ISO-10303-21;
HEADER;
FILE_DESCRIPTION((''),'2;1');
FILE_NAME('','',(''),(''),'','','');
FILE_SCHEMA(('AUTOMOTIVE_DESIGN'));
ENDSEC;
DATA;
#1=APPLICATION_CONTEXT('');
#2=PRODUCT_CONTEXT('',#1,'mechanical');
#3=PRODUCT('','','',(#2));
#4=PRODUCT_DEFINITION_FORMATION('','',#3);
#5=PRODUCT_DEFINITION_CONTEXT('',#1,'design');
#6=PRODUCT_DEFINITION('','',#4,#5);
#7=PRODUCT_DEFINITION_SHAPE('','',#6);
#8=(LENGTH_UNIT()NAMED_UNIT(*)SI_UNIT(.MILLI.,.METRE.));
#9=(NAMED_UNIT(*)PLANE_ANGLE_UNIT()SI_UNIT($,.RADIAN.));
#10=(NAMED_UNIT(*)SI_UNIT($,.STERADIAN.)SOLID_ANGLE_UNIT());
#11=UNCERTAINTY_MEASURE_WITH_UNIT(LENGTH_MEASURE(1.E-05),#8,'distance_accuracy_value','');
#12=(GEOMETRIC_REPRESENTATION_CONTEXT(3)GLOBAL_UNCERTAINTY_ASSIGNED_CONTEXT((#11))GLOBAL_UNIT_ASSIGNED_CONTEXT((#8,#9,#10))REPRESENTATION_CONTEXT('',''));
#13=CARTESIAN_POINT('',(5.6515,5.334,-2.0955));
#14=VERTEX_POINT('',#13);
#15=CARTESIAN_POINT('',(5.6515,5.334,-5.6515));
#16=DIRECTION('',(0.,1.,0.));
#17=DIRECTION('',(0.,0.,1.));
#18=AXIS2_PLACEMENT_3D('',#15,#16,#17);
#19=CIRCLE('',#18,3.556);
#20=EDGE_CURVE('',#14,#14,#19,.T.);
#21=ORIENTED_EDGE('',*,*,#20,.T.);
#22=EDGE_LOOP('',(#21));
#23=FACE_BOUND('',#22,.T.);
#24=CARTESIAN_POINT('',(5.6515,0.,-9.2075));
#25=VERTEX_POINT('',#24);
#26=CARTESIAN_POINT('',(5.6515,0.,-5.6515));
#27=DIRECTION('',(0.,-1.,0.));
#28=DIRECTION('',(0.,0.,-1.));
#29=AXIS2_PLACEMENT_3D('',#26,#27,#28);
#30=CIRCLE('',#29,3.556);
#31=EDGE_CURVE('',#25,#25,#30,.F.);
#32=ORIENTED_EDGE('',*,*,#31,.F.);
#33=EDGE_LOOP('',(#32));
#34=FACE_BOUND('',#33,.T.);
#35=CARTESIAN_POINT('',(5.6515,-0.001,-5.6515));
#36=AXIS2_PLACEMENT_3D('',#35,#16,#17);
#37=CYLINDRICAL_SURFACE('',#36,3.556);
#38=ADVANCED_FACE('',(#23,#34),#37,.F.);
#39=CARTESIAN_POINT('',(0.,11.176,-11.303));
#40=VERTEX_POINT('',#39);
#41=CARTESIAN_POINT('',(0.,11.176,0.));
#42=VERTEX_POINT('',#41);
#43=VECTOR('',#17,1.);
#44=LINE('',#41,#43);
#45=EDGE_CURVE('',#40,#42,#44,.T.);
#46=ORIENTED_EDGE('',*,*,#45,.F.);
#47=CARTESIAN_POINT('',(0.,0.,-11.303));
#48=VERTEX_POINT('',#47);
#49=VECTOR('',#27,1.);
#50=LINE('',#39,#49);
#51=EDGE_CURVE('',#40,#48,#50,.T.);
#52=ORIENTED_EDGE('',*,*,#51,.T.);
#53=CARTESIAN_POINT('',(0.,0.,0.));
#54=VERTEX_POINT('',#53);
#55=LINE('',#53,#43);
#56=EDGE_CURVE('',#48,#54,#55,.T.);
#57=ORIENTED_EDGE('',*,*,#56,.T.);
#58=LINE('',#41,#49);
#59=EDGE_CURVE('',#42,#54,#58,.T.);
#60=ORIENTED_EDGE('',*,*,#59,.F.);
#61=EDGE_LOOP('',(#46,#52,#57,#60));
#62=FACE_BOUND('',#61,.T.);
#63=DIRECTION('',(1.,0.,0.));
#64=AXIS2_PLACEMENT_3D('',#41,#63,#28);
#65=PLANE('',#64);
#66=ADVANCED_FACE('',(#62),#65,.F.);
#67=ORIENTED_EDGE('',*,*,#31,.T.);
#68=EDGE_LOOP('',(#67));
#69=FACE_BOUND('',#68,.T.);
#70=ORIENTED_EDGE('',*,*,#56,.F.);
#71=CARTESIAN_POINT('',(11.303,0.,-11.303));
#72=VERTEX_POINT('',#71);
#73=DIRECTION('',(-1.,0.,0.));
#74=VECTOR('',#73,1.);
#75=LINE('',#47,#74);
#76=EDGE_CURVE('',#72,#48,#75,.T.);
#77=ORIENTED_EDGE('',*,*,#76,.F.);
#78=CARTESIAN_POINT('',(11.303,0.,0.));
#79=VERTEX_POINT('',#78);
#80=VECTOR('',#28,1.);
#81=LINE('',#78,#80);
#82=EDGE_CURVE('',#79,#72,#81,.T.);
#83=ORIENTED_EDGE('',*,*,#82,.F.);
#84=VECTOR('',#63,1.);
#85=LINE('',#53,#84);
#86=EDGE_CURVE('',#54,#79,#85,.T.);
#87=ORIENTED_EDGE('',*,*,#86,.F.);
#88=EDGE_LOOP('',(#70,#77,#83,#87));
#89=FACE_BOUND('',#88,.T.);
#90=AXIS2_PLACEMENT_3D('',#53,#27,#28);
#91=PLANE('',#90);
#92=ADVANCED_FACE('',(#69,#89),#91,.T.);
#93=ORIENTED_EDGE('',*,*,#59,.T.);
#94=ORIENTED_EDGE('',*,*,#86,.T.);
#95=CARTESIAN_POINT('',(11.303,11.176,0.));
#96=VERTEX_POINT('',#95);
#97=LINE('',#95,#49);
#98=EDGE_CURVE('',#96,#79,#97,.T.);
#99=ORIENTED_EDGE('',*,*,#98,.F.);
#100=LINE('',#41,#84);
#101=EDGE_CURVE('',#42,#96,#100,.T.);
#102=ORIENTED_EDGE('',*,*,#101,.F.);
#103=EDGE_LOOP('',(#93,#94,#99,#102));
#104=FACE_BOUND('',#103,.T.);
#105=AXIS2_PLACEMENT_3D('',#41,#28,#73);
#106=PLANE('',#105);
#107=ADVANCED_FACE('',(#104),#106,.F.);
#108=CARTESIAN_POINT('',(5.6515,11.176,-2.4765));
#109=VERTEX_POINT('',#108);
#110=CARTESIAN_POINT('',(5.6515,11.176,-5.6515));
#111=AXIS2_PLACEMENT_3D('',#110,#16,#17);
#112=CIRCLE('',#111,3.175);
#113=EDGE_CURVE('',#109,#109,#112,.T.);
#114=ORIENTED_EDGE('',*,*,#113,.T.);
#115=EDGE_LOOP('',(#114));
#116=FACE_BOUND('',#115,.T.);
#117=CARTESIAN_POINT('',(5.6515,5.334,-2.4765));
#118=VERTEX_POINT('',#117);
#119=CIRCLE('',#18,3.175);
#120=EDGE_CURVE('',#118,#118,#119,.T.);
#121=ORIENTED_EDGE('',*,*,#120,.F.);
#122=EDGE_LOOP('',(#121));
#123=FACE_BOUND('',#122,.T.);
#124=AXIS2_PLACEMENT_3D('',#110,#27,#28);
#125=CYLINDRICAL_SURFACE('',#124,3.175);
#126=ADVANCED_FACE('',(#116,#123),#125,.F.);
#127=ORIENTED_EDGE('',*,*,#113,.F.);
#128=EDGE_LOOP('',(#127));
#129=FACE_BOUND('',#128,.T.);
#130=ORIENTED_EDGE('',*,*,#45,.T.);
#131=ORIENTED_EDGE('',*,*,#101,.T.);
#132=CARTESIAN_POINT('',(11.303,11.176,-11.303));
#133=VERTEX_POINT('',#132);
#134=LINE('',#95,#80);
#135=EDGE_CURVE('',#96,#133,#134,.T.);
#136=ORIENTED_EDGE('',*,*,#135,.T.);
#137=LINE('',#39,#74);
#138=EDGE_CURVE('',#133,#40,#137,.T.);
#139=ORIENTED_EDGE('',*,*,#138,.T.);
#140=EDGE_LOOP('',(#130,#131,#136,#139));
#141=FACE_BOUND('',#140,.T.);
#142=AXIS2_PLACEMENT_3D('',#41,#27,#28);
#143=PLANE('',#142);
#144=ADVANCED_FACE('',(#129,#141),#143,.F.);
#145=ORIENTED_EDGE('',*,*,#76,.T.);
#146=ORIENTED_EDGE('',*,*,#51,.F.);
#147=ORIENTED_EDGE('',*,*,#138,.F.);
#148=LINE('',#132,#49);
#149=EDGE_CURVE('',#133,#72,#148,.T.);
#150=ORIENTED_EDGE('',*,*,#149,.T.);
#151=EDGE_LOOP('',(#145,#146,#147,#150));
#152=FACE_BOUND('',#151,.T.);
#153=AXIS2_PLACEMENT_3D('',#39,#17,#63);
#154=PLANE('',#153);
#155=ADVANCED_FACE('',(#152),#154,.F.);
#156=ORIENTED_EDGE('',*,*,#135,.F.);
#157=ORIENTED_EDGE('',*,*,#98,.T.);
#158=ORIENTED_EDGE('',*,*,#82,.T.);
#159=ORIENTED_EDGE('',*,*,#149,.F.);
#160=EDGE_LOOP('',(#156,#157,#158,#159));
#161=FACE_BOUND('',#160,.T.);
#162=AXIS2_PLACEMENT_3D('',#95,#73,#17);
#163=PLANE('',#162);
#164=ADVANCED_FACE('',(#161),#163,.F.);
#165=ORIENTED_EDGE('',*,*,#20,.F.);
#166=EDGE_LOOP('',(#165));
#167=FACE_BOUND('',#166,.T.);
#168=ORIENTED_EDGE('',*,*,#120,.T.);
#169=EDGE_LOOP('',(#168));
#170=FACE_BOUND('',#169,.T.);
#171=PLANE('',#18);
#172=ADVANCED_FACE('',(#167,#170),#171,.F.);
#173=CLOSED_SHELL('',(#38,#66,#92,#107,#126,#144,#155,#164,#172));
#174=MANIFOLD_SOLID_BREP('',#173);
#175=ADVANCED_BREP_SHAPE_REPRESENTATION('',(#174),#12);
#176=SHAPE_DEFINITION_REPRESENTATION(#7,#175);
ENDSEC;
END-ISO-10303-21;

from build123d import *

# Parameters (mm, degrees)
SKETCH1_W           = 11.303
SKETCH1_H           = 11.303
SKETCH1_R           = 3.175
BOSS_EXTRUDE1_DEPTH = 11.176
CUT_EXTRUDE1_REACH  = 19.018
CUT_EXTRUDE1_START  = -5.842
SKETCH2_R           = 3.556
SKETCH2_R_2         = 3.175


with BuildPart() as part:
    # Sketch1 → Boss-Extrude1 (new body)
    with BuildSketch(Plane(origin=(0, 0, 0), x_dir=(1, 0, 0), z_dir=(0, 1, 0))):
        with Locations((5.6515, 5.6515)):
            Rectangle(SKETCH1_W, SKETCH1_H)
        with Locations((5.6515, 5.6515)):
            Circle(SKETCH1_R, mode=Mode.SUBTRACT)
    extrude(amount=BOSS_EXTRUDE1_DEPTH)

    # Sketch2 → Cut-Extrude1 (cut, up to next)
    with BuildSketch(Plane(origin=(0, 11.176, 0), x_dir=(1, 0, 0), z_dir=(0, 1, 0)).offset(CUT_EXTRUDE1_START), mode=Mode.PRIVATE) as cut_extrude1_sk1:
        with Locations((5.6515, 5.6515)):
            Circle(SKETCH2_R)
        with Locations((5.6515, 5.6515)):
            Circle(SKETCH2_R_2, mode=Mode.SUBTRACT)
    cut_extrude1_tool1 = extrude(cut_extrude1_sk1.sketch, amount=-CUT_EXTRUDE1_REACH, mode=Mode.PRIVATE) & part.part
    add(cut_extrude1_tool1.solids().sort_by_distance((2.196079, 5.334, -5.6515))[0], mode=Mode.SUBTRACT)


solid = part.part
